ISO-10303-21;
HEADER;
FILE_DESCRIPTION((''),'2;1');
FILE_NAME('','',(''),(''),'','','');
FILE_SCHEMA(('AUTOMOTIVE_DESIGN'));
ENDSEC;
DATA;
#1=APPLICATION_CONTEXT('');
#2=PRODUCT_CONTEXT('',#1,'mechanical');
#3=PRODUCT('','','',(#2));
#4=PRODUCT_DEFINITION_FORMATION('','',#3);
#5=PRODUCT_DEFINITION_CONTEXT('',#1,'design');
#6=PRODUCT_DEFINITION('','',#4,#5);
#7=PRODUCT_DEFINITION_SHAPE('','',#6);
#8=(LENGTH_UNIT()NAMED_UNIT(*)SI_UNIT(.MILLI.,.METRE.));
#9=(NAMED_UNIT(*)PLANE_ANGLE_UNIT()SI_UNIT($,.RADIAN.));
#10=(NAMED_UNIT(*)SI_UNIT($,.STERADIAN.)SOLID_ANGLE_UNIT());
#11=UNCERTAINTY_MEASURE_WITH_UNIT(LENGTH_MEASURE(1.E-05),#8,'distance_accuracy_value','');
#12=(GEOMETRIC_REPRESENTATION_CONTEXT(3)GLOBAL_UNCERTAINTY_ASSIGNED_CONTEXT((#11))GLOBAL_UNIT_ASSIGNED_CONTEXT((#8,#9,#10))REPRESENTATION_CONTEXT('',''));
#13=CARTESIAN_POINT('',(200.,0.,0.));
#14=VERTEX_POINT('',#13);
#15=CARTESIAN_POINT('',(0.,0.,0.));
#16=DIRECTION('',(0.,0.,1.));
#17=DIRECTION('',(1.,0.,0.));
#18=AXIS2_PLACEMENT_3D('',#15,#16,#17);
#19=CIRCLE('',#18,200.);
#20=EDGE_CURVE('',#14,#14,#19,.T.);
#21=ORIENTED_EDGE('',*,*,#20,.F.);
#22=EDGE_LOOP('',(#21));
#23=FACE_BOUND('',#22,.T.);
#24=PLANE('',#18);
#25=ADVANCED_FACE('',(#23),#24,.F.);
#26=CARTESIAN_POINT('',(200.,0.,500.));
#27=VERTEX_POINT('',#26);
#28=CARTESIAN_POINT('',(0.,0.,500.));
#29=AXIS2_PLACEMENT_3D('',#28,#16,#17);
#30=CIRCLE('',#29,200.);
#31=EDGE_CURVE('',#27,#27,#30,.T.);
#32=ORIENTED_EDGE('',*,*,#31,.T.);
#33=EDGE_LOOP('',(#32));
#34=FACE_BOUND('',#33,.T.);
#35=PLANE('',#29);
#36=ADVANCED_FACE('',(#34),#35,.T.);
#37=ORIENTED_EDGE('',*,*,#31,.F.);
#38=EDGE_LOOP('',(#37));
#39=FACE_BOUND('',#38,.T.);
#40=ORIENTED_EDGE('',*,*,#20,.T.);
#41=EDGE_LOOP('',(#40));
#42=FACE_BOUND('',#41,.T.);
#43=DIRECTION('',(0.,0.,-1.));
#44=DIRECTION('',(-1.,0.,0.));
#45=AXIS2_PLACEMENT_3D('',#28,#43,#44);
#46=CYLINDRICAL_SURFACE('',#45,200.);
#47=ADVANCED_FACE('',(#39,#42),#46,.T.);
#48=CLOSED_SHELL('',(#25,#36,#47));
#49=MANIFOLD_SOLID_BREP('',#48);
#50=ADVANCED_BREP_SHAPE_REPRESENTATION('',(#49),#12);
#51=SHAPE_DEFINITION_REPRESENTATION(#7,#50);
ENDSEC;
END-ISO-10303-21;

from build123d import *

# Parameters (mm, degrees)
SKETCH_1_R      = 200
EXTRUDE_1_DEPTH = 500


with BuildPart() as part:
    # ｽｹｯﾁ1 → ﾎﾞｽ - 押し出し1 (new body)
    with BuildSketch(Plane.XY):
        Circle(SKETCH_1_R)
    extrude(amount=EXTRUDE_1_DEPTH)


solid = part.part
